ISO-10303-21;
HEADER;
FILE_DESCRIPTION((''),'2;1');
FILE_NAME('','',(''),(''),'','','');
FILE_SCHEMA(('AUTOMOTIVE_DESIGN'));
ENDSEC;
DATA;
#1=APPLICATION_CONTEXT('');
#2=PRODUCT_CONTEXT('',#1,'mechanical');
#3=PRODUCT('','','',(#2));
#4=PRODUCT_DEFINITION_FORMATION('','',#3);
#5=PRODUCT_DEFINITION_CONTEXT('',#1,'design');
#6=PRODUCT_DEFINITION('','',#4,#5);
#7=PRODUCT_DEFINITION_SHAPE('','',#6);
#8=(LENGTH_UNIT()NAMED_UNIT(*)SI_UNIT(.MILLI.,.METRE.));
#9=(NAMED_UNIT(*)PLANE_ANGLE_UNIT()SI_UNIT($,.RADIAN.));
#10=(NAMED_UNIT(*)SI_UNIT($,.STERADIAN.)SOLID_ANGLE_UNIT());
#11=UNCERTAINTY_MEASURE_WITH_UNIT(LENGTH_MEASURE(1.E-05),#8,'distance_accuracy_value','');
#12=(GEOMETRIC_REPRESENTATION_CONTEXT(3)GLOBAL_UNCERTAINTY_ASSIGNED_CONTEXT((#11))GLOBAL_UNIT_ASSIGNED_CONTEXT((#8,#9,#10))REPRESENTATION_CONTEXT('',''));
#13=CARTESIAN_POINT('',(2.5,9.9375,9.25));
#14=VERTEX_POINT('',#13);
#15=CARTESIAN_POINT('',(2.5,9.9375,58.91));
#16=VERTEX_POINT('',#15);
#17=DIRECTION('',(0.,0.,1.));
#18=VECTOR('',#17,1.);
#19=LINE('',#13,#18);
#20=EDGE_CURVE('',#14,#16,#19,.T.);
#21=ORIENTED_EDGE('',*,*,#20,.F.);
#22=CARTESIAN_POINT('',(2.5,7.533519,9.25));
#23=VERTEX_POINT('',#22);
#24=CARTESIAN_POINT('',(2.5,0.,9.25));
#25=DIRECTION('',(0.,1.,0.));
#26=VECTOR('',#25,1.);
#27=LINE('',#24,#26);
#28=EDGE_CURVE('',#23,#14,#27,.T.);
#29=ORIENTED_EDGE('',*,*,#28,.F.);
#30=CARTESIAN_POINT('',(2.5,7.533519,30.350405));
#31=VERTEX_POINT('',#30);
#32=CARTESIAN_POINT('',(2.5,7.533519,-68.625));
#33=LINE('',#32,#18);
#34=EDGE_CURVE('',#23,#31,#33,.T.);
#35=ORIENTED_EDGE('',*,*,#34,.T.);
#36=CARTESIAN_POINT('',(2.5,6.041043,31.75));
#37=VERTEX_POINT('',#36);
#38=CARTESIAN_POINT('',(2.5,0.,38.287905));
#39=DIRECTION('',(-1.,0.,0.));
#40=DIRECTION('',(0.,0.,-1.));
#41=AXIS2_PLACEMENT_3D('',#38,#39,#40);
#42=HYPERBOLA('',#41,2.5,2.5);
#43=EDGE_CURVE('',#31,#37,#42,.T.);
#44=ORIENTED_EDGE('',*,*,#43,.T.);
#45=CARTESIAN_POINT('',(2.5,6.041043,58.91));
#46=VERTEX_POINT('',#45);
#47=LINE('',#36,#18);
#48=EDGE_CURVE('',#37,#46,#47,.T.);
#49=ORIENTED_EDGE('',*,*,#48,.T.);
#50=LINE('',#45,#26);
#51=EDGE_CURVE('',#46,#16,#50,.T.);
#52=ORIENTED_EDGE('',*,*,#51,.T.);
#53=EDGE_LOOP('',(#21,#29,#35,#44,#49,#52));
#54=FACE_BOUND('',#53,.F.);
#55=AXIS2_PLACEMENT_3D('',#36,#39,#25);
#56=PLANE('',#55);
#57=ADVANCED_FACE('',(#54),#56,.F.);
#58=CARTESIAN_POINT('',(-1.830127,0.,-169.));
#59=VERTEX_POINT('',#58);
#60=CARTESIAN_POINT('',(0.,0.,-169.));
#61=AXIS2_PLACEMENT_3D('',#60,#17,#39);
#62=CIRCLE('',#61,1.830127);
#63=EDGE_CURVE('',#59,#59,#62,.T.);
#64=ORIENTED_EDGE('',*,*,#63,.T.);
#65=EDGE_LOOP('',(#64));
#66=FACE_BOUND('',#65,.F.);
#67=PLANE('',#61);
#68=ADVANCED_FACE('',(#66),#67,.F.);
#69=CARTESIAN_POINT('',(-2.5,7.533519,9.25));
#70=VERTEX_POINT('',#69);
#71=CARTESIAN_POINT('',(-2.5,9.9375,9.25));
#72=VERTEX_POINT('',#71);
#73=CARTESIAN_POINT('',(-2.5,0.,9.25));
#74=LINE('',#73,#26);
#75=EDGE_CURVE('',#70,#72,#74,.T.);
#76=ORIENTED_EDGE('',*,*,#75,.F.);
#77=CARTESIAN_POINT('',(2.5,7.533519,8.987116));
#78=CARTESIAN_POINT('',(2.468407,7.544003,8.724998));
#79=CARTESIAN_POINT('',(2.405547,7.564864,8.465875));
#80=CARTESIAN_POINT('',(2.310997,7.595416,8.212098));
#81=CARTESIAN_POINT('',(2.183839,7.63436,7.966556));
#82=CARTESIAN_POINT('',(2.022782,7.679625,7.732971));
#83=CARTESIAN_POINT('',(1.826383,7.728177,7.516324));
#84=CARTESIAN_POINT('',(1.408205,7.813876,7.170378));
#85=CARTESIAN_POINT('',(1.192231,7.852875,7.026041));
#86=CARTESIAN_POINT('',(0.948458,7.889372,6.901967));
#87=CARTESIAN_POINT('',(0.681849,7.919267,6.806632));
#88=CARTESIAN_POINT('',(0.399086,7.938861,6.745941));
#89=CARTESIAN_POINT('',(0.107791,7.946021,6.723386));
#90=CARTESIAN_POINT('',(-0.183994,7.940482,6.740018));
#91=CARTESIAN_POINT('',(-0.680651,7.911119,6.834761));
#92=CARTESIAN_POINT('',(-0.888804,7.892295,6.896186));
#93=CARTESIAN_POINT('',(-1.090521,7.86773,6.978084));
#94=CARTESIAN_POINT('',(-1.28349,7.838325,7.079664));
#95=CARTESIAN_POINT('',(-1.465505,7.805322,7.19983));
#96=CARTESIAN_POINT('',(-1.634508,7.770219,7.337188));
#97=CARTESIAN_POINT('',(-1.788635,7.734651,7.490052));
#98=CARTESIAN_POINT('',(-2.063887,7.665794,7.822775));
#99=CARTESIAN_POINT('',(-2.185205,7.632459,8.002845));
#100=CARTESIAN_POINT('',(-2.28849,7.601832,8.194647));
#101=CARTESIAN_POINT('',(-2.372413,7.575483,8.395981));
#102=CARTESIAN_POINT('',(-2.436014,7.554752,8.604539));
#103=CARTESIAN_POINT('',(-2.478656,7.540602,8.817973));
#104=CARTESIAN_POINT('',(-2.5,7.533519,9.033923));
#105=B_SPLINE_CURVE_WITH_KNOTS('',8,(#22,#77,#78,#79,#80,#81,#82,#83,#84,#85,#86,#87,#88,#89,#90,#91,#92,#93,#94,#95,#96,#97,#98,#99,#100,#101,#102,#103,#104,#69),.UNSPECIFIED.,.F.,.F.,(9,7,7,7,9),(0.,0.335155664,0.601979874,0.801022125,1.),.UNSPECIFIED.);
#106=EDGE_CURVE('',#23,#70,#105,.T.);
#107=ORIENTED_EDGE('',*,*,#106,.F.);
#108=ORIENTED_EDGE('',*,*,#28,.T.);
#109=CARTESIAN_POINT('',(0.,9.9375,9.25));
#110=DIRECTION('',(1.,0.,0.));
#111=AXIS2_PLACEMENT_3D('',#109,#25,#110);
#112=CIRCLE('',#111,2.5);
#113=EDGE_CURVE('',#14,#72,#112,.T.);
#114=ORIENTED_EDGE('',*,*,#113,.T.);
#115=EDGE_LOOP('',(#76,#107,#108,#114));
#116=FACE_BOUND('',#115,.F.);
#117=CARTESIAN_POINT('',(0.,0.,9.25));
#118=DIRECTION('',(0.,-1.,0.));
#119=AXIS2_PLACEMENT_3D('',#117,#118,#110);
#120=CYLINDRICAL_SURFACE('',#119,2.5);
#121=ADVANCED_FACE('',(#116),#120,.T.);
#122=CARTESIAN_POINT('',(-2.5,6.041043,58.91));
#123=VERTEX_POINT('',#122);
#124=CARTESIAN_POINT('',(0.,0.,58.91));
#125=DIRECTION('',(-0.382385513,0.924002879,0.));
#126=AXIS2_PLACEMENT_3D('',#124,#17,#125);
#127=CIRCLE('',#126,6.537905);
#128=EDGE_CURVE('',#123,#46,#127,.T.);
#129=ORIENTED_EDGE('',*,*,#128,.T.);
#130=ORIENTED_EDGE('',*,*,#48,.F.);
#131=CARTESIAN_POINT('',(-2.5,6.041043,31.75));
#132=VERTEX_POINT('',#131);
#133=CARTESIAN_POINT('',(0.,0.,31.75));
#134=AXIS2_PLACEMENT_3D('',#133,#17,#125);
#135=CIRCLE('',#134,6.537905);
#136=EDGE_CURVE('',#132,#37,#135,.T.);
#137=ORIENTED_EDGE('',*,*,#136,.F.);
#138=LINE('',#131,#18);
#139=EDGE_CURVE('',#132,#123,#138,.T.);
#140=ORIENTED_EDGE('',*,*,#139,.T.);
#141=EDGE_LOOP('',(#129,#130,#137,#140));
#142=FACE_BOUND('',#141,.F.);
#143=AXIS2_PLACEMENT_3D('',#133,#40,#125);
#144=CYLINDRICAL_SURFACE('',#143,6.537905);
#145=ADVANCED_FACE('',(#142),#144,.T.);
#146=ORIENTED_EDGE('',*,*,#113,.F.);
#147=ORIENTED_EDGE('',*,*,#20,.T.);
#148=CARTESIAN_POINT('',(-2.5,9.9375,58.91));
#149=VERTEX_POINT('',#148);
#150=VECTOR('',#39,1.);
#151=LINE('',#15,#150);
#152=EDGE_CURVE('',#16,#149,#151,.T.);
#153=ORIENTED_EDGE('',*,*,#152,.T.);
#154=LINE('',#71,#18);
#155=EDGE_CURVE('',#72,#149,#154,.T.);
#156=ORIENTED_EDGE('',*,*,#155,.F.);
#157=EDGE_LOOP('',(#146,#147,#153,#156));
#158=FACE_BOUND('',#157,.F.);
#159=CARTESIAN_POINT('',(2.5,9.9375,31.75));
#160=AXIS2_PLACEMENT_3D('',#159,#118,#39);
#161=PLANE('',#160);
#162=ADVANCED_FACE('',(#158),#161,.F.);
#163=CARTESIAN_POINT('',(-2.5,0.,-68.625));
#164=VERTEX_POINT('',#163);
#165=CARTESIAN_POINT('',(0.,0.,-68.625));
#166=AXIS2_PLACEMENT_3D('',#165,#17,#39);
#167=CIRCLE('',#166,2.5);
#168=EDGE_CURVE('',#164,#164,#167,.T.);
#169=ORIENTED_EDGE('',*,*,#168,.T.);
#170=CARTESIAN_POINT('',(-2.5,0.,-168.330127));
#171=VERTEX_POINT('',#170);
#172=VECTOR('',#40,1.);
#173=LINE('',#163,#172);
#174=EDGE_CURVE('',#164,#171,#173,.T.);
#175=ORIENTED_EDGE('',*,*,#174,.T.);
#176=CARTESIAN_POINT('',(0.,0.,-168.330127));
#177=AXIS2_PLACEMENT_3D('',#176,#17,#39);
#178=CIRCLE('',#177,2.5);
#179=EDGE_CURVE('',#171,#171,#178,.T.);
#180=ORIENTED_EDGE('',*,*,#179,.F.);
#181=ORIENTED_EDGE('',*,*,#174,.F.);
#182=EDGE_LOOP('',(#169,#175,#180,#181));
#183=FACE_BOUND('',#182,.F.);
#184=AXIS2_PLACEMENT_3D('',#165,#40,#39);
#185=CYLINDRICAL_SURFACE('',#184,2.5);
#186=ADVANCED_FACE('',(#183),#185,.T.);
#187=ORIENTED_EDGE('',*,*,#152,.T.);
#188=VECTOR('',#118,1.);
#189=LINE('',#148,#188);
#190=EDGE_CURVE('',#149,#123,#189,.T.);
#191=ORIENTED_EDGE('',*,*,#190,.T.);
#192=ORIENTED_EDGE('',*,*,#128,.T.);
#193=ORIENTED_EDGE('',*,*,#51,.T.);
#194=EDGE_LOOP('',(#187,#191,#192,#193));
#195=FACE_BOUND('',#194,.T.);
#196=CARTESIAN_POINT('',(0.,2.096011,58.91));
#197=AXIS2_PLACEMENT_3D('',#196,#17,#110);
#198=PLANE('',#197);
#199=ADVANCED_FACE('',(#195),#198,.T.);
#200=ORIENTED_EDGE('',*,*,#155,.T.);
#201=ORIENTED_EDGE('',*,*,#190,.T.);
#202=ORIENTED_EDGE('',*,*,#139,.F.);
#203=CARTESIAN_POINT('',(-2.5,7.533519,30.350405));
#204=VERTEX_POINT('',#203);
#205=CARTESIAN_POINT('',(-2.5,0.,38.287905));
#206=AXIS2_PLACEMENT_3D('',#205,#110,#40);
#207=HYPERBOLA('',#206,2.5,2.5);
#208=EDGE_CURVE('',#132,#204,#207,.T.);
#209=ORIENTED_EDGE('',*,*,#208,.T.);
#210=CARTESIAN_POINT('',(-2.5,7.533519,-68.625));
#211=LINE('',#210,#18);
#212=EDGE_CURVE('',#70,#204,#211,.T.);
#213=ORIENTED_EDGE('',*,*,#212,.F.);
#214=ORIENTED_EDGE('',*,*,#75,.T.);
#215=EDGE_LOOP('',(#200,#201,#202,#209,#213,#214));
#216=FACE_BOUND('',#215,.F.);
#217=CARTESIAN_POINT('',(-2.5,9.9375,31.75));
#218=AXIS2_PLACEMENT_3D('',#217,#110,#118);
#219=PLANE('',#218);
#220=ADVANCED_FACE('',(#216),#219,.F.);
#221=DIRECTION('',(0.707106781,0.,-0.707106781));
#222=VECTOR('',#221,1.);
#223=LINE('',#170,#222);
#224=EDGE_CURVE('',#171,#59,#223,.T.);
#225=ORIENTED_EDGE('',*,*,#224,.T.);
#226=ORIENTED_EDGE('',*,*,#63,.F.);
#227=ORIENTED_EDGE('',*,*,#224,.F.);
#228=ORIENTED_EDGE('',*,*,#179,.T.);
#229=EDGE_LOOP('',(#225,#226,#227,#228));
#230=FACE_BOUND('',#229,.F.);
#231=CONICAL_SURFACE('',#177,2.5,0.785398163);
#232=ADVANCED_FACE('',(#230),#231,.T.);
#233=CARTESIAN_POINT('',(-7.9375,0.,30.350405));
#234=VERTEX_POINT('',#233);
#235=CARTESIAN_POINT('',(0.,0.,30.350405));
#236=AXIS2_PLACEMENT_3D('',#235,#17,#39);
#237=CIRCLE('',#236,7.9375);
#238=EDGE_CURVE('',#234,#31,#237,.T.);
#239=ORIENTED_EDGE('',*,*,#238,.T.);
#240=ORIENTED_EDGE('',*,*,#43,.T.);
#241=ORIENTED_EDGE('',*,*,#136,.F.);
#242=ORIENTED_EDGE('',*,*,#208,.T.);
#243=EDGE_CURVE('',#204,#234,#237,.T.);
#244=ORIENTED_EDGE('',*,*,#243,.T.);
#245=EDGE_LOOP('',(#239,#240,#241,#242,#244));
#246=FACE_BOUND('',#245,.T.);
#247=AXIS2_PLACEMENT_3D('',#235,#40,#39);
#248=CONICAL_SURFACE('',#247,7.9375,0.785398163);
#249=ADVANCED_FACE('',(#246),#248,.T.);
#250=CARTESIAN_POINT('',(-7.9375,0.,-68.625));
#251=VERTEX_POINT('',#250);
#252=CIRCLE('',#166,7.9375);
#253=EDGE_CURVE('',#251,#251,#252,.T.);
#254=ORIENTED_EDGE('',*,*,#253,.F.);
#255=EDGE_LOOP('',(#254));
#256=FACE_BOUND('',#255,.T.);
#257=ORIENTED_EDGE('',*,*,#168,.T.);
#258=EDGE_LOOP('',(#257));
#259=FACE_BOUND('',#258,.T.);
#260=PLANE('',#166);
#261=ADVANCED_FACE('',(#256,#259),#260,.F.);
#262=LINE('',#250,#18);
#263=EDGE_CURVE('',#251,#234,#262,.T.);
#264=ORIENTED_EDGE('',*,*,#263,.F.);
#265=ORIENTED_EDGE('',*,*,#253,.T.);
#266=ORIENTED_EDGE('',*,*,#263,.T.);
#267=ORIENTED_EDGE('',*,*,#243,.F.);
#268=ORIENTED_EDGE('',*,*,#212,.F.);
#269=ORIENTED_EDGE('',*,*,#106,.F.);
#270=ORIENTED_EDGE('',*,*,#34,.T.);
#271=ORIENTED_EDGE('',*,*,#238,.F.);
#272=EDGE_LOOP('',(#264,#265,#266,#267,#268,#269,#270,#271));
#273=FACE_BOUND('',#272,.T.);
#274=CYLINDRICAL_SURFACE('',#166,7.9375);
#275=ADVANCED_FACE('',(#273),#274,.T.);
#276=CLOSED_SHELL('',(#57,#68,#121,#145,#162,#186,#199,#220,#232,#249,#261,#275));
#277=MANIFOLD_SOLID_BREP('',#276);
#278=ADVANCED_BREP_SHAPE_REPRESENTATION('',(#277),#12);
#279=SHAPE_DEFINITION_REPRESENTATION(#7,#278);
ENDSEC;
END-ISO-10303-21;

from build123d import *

# Parameters (mm, degrees)
BODY_KEY_DEPTH      = 9.9375
BOSS_EXTRUDE1_DEPTH = 27.16


with BuildPart() as part:
    # Sketch3 → Body (revolve)
    with BuildSketch(Plane(origin=(0, 0, 0), x_dir=(0, 0, -1), z_dir=(1, 0, 0)), mode=Mode.PRIVATE) as body_sk:
        Polygon((-31.75, 0), (68.625, 0), (68.625, 7.9375), (-30.350404591, 7.9375), (-31.75, 6.537904591), align=None)
    revolve(body_sk.sketch.rotate(Axis((0, 0, -80.9), (0, 0, 1)), 90), axis=Axis((0, 0, -80.9), (0, 0, 1)))

    # Sketch4 → Body-Back (revolve)
    with BuildSketch(Plane(origin=(0, 0, 0), x_dir=(0, 0, -1), z_dir=(1, 0, 0)), mode=Mode.PRIVATE) as body_back_sk:
        Polygon((68.625, 0), (68.625, 2.5), (168.330127019, 2.5), (169, 1.830127019), (169, 0), align=None)
    revolve(body_back_sk.sketch.rotate(Axis((0, 0, -80.9), (0, 0, 1)), 90), axis=Axis((0, 0, -80.9), (0, 0, 1)))

    # Sketch7 → Body-Key (add)
    with BuildSketch(Plane(origin=(0, 0, 0), x_dir=(1, 0, 0), z_dir=(0, 1, 0))):
        with BuildLine():
            Line((-2.5, -31.75), (2.5, -31.75))
            Line((2.5, -31.75), (2.5, -9.25))
            ThreePointArc((2.5, -9.25), (0, -6.75), (-2.5, -9.25))
            Line((-2.5, -9.25), (-2.5, -31.75))
        make_face()
    extrude(amount=BODY_KEY_DEPTH)

    # Sketch8 → Boss-Extrude1 (add)
    with BuildSketch(Plane.XY.offset(31.75)):
        with BuildLine():
            Line((2.5, 6.041042661), (2.5, 9.9375))
            Line((2.5, 9.9375), (-2.5, 9.9375))
            Line((-2.5, 9.9375), (-2.5, 6.041042661))
            ThreePointArc((-2.5, 6.041042661), (0, -6.537904591), (2.5, 6.041042661))
        make_face()
    extrude(amount=BOSS_EXTRUDE1_DEPTH)


solid = part.part
